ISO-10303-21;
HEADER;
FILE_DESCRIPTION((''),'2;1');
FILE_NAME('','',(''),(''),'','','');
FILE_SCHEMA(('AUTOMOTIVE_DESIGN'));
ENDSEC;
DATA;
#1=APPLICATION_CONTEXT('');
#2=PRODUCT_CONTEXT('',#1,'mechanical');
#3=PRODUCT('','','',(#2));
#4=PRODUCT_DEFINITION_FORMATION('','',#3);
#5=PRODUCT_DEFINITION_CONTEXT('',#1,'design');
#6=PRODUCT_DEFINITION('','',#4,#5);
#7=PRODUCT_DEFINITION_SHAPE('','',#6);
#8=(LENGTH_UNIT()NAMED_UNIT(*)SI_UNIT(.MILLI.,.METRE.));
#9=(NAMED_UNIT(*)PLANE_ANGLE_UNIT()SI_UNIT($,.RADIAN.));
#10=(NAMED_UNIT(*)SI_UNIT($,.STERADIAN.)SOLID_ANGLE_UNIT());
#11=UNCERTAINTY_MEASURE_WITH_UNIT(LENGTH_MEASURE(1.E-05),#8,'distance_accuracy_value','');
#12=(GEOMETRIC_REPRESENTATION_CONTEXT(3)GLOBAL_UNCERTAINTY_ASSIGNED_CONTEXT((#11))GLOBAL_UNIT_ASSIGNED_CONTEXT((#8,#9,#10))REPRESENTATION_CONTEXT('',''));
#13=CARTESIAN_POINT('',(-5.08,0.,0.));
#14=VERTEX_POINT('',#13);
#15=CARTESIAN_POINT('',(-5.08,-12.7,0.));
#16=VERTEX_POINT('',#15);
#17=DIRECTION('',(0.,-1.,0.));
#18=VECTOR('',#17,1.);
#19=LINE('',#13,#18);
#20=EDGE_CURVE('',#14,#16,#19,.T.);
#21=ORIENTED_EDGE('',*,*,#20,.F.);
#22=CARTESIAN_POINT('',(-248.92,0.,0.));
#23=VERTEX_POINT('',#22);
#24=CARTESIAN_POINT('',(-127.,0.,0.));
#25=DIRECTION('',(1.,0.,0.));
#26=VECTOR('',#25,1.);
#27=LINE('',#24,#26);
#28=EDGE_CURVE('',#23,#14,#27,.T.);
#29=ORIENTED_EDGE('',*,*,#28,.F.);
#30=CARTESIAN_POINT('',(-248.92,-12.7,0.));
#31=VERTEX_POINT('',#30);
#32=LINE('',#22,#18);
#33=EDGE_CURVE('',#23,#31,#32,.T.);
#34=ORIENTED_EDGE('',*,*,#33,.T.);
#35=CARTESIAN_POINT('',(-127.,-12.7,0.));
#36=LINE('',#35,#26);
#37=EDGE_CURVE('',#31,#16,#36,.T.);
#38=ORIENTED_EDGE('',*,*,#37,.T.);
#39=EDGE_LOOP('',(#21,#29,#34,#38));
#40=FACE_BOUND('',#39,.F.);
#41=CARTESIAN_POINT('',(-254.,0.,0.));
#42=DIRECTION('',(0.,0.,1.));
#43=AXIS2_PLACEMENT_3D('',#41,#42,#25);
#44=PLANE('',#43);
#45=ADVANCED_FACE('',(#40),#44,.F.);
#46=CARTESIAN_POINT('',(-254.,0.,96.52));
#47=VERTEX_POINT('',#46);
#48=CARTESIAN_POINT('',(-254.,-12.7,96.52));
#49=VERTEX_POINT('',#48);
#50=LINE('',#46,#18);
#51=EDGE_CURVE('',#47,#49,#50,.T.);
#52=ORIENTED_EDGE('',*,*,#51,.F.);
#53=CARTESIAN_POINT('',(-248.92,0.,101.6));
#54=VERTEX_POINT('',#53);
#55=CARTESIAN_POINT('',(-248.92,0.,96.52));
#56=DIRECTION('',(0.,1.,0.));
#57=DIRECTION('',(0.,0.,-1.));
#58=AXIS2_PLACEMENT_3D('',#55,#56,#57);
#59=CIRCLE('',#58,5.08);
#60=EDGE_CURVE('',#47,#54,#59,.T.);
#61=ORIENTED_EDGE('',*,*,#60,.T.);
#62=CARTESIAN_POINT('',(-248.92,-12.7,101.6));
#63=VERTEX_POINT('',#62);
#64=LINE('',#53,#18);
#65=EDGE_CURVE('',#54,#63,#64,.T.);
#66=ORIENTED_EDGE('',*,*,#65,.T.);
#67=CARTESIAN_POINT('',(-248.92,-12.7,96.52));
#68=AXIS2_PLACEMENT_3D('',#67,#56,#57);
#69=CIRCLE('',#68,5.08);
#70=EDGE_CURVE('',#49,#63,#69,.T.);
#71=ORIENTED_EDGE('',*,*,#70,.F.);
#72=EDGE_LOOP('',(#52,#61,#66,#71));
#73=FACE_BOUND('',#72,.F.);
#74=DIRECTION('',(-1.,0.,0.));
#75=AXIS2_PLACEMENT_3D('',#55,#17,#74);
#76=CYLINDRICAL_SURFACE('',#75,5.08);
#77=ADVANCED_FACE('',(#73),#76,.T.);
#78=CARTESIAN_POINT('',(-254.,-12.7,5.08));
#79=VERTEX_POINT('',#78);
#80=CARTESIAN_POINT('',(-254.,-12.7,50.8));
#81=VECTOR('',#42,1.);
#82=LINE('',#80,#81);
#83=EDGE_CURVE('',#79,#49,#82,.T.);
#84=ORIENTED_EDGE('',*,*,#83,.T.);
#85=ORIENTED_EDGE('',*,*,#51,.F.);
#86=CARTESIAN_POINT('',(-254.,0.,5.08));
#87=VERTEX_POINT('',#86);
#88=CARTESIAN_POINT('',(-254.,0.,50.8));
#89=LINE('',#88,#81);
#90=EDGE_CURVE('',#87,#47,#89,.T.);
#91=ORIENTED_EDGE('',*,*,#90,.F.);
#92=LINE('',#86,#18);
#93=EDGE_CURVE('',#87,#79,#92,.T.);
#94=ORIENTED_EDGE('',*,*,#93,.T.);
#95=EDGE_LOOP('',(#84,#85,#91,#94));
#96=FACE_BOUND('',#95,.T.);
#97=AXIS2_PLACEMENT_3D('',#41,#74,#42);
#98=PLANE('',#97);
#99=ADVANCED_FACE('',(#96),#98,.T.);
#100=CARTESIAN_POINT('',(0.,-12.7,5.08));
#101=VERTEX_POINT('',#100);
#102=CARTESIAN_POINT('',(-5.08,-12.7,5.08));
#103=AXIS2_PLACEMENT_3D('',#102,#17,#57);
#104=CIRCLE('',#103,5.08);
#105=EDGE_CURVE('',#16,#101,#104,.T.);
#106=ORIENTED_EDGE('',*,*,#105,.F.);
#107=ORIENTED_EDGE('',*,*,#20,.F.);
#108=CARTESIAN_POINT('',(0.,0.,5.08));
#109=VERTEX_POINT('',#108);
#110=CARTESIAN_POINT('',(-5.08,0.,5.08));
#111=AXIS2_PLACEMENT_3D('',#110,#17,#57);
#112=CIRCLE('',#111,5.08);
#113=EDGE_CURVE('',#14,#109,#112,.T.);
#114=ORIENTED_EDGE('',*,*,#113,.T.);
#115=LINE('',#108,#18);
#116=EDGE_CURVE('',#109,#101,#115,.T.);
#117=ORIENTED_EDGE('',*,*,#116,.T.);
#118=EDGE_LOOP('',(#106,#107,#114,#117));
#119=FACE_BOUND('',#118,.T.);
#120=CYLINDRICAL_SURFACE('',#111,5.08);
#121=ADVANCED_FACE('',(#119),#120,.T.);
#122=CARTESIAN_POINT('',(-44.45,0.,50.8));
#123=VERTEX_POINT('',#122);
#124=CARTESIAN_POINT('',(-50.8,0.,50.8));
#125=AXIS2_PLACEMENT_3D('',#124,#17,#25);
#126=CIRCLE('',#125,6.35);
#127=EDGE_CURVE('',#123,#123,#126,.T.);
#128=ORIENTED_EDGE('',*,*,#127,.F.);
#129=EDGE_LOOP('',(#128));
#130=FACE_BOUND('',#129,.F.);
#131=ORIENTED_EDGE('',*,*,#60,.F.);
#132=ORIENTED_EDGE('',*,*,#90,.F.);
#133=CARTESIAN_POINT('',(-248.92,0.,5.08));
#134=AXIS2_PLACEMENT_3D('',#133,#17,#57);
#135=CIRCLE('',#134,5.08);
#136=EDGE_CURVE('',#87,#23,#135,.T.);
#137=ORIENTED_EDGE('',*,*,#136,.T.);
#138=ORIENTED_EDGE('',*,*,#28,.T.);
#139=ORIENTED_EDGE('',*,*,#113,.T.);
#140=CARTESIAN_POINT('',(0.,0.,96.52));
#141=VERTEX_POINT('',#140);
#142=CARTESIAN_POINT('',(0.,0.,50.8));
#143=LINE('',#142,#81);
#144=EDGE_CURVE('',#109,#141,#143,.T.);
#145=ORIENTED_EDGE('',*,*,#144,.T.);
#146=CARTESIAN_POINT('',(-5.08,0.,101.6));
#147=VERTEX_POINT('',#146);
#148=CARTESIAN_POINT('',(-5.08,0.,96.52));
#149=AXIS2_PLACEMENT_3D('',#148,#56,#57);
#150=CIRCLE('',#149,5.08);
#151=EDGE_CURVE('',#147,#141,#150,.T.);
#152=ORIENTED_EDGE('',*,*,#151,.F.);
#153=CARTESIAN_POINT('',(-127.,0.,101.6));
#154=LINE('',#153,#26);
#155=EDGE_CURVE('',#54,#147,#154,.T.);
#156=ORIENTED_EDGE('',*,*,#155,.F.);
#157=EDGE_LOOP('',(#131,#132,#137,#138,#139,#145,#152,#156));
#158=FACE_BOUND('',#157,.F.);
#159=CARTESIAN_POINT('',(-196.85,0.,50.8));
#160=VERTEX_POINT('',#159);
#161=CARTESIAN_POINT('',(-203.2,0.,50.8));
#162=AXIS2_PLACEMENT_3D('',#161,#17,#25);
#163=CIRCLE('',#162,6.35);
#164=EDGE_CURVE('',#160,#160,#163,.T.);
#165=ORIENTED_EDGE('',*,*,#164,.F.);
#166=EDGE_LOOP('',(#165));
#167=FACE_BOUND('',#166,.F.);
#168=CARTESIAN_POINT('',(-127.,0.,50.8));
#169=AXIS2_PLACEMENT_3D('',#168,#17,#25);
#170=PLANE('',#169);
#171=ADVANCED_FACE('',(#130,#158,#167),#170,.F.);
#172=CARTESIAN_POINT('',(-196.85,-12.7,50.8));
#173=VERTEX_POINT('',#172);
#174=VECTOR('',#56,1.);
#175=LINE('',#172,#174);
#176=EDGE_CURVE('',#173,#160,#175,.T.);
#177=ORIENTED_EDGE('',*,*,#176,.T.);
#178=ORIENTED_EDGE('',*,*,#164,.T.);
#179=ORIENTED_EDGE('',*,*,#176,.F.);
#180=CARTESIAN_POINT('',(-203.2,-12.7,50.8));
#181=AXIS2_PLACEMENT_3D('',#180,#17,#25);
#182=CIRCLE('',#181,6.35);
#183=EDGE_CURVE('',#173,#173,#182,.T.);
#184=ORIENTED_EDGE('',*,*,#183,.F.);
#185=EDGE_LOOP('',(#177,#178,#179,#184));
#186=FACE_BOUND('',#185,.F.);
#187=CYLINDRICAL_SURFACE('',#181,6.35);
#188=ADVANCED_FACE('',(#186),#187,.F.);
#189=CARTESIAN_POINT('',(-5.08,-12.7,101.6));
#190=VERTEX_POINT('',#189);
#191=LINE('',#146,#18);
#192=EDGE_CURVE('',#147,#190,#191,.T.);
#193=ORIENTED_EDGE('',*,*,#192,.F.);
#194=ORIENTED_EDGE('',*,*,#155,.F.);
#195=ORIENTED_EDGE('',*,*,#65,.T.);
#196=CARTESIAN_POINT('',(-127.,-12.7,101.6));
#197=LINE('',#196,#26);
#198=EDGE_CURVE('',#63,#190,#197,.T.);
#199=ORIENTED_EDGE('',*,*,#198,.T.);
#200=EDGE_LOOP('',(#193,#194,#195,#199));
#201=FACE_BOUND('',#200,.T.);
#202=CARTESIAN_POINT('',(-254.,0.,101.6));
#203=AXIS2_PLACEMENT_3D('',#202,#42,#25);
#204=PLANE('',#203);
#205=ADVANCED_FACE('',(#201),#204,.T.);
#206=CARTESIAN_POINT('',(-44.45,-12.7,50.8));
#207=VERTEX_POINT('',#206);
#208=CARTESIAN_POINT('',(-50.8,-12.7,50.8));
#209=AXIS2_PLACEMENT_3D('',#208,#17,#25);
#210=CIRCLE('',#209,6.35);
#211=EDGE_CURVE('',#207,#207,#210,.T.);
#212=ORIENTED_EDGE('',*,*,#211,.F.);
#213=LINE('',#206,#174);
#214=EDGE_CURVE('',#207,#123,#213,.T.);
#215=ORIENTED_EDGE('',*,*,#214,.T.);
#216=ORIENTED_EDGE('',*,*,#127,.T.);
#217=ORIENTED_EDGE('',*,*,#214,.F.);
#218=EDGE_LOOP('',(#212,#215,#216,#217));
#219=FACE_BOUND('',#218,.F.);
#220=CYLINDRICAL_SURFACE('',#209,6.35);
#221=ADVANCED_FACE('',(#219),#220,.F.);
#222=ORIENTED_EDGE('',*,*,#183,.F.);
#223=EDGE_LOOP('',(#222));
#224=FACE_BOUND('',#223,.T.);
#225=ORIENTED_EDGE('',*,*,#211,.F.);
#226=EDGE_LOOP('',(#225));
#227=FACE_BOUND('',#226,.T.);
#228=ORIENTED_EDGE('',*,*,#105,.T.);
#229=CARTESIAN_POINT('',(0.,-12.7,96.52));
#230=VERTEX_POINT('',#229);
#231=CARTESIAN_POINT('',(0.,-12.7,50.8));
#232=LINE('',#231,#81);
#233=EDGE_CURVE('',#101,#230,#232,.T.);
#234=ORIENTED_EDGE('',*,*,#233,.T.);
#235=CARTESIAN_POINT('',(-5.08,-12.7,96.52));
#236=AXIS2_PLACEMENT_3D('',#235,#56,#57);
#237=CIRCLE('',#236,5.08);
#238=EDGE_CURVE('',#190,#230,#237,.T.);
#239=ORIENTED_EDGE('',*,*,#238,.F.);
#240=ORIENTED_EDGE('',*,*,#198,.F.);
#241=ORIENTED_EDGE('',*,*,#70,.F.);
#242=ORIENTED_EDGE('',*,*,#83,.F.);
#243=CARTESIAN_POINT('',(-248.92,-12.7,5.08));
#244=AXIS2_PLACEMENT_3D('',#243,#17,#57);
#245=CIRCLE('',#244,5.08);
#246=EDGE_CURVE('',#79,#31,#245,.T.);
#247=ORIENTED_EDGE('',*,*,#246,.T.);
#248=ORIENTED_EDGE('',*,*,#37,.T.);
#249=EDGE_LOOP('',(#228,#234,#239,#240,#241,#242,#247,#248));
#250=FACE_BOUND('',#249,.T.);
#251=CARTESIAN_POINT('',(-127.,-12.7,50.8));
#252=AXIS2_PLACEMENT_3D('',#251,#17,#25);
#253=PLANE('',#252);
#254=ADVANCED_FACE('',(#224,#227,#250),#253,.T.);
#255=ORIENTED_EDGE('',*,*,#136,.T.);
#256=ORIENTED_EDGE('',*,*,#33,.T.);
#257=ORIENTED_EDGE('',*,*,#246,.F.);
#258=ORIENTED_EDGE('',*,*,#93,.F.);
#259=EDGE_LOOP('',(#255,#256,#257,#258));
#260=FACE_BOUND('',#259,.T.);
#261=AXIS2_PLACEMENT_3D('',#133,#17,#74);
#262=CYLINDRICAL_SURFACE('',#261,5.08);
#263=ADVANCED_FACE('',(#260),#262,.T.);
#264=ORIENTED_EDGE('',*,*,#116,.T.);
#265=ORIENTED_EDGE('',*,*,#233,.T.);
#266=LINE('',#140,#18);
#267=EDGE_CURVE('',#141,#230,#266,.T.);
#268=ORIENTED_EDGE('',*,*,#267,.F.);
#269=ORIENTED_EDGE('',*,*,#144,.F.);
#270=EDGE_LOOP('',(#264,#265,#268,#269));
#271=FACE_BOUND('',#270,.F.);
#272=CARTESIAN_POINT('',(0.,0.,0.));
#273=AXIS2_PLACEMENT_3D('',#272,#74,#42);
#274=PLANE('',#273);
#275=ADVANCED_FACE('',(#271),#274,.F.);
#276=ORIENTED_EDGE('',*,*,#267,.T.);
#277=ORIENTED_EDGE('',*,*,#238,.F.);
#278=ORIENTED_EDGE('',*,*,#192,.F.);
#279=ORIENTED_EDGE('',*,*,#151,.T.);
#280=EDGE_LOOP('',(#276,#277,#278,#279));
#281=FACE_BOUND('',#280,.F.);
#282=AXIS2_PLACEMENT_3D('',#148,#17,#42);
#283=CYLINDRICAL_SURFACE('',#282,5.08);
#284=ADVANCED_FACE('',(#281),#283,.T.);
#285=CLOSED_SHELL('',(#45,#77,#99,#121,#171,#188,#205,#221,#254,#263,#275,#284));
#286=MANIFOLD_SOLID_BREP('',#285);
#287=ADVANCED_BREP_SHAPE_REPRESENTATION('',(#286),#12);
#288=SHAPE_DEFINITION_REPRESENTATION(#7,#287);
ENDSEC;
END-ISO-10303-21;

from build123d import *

# Parameters (mm, degrees)
F0_W     = 254
F0_H     = 101.6
F1_DEPTH = 12.7
F2_R     = 6.35
F3_DEPTH = 12.701
F4_R     = 5.08


with BuildPart() as f1:
    # F0 (on Front) → F1 (new body)
    with BuildSketch(Plane.XZ):
        with Locations((-127, 50.8)):
            Rectangle(F0_W, F0_H)
    extrude(amount=F1_DEPTH)

    # F2 (on face) → F3 (cut, through all)
    with BuildSketch(Plane.XZ.offset(12.7)):
        with Locations((-203.2, 50.8)):
            Circle(F2_R)
        with Locations((-50.8, 50.8)):
            Circle(F2_R)
    extrude(amount=-F3_DEPTH, mode=Mode.SUBTRACT)

    # F4
    f4_edges = [f1.edges().sort_by_distance(p)[0] for p in [
        (-254, -6.35, 0),
        (-254, -6.35, 101.6),
        (0, -6.35, 0),
        (0, -6.35, 101.6),
    ]]
    fillet(f4_edges, radius=F4_R)


solid = f1.part
